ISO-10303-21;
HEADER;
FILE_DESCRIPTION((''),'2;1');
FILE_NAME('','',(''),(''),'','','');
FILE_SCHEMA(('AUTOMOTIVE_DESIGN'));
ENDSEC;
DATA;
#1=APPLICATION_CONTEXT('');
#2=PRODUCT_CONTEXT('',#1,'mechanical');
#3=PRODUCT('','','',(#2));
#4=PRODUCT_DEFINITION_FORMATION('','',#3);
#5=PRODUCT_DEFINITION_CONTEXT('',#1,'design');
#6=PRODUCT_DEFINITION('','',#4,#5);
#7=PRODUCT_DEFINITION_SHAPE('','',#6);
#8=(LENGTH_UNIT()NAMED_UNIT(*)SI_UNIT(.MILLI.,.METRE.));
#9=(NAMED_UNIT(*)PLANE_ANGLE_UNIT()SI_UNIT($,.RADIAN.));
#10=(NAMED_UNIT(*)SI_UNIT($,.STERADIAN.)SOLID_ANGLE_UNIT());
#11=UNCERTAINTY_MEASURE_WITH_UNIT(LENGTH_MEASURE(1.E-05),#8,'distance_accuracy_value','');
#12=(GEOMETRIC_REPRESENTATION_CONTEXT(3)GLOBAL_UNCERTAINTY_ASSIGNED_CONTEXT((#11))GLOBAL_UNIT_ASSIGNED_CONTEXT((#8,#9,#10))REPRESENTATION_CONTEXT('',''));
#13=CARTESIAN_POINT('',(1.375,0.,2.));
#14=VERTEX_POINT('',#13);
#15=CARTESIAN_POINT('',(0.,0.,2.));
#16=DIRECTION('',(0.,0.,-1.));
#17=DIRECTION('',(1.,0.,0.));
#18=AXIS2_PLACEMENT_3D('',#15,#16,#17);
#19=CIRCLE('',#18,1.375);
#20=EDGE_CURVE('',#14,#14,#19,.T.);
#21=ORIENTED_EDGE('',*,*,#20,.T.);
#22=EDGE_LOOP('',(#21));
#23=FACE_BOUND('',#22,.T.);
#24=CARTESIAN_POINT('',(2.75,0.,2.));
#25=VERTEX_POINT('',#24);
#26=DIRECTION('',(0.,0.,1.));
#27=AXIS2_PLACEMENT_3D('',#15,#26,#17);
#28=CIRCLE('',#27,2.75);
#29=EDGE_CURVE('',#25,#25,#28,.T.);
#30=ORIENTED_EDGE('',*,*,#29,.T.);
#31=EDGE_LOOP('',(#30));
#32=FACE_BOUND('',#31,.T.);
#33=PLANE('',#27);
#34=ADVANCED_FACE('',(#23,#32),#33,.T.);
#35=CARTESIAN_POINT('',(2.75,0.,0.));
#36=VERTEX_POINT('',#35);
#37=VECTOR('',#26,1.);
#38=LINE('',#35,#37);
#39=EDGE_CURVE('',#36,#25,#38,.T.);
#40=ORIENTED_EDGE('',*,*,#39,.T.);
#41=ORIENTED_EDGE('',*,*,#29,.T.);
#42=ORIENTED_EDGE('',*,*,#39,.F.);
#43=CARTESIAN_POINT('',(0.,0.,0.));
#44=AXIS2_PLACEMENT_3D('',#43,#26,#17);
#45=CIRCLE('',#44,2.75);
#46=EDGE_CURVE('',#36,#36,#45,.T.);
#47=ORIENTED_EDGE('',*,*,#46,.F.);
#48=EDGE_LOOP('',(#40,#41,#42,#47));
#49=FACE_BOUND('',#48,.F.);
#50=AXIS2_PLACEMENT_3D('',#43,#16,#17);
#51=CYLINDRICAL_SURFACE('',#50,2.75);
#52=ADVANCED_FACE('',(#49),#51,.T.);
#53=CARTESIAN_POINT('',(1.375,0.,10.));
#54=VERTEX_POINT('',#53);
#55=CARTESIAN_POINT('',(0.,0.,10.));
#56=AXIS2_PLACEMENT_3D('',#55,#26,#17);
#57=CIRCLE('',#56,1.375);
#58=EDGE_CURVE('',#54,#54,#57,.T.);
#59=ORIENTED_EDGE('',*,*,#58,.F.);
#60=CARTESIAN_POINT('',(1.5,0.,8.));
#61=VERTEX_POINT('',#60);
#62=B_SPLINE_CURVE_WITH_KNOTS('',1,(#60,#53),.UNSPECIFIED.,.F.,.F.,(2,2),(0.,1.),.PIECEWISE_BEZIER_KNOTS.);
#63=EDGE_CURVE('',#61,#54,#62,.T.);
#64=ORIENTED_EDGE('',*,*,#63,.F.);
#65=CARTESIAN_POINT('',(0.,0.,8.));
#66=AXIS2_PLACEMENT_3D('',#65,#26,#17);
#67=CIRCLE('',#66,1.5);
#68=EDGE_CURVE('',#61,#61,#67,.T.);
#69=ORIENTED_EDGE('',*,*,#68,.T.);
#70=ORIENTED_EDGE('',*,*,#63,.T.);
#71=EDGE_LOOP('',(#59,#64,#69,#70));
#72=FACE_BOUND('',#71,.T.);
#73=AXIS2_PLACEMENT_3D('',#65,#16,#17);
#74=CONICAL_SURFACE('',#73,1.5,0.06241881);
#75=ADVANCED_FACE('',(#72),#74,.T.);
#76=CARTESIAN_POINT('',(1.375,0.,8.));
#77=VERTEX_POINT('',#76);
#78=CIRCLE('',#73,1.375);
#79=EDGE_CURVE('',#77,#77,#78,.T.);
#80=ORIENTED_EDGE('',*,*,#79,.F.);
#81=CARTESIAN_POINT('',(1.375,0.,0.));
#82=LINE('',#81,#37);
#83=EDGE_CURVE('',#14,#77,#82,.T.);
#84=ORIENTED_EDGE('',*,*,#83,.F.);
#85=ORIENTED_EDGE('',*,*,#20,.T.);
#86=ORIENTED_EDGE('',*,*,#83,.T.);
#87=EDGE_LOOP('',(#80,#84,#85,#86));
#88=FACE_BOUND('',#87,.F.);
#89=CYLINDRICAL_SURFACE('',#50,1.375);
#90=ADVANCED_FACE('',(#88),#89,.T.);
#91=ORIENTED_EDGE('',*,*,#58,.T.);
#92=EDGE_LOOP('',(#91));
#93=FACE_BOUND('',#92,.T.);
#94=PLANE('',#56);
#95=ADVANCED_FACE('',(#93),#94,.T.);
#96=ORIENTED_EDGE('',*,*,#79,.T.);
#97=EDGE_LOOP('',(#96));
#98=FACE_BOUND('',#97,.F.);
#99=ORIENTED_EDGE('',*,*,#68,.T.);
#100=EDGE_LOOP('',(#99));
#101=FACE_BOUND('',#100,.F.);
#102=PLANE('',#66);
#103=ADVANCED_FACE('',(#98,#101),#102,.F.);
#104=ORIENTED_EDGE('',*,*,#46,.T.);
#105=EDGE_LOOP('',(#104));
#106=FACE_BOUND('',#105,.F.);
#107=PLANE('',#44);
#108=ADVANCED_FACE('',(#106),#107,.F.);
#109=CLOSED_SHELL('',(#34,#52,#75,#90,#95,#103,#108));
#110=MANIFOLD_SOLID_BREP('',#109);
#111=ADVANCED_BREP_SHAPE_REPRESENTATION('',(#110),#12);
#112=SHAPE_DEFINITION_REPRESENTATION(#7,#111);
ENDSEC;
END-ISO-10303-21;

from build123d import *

# Parameters (mm, degrees)
F0_R      = 2.75
F0_R_2    = 1.375
F1_DEPTH  = 2
F2_DEPTH  = 10
F4_R      = 1.5
F2_FACE_R = 1.375


with BuildPart() as f1:
    # F0 (on Top) → F1 (new body)
    with BuildSketch(Plane.XY):
        Circle(F0_R)
        Circle(F0_R_2, mode=Mode.SUBTRACT)
        Circle(F0_R_2)
    extrude(amount=F1_DEPTH)

    # F0 (on Top) → F2 (join)
    with BuildSketch(Plane.XY):
        Circle(F0_R_2)
    extrude(amount=F2_DEPTH)

    # F4 (on offset) → F5 section 0
    with BuildSketch(Plane.XY.offset(8)):
        Circle(F4_R)
    # F2_face (on face) → F5 section 1
    with BuildSketch(Plane.XY.offset(10)):
        Circle(F2_FACE_R)
    loft()


solid = f1.part
